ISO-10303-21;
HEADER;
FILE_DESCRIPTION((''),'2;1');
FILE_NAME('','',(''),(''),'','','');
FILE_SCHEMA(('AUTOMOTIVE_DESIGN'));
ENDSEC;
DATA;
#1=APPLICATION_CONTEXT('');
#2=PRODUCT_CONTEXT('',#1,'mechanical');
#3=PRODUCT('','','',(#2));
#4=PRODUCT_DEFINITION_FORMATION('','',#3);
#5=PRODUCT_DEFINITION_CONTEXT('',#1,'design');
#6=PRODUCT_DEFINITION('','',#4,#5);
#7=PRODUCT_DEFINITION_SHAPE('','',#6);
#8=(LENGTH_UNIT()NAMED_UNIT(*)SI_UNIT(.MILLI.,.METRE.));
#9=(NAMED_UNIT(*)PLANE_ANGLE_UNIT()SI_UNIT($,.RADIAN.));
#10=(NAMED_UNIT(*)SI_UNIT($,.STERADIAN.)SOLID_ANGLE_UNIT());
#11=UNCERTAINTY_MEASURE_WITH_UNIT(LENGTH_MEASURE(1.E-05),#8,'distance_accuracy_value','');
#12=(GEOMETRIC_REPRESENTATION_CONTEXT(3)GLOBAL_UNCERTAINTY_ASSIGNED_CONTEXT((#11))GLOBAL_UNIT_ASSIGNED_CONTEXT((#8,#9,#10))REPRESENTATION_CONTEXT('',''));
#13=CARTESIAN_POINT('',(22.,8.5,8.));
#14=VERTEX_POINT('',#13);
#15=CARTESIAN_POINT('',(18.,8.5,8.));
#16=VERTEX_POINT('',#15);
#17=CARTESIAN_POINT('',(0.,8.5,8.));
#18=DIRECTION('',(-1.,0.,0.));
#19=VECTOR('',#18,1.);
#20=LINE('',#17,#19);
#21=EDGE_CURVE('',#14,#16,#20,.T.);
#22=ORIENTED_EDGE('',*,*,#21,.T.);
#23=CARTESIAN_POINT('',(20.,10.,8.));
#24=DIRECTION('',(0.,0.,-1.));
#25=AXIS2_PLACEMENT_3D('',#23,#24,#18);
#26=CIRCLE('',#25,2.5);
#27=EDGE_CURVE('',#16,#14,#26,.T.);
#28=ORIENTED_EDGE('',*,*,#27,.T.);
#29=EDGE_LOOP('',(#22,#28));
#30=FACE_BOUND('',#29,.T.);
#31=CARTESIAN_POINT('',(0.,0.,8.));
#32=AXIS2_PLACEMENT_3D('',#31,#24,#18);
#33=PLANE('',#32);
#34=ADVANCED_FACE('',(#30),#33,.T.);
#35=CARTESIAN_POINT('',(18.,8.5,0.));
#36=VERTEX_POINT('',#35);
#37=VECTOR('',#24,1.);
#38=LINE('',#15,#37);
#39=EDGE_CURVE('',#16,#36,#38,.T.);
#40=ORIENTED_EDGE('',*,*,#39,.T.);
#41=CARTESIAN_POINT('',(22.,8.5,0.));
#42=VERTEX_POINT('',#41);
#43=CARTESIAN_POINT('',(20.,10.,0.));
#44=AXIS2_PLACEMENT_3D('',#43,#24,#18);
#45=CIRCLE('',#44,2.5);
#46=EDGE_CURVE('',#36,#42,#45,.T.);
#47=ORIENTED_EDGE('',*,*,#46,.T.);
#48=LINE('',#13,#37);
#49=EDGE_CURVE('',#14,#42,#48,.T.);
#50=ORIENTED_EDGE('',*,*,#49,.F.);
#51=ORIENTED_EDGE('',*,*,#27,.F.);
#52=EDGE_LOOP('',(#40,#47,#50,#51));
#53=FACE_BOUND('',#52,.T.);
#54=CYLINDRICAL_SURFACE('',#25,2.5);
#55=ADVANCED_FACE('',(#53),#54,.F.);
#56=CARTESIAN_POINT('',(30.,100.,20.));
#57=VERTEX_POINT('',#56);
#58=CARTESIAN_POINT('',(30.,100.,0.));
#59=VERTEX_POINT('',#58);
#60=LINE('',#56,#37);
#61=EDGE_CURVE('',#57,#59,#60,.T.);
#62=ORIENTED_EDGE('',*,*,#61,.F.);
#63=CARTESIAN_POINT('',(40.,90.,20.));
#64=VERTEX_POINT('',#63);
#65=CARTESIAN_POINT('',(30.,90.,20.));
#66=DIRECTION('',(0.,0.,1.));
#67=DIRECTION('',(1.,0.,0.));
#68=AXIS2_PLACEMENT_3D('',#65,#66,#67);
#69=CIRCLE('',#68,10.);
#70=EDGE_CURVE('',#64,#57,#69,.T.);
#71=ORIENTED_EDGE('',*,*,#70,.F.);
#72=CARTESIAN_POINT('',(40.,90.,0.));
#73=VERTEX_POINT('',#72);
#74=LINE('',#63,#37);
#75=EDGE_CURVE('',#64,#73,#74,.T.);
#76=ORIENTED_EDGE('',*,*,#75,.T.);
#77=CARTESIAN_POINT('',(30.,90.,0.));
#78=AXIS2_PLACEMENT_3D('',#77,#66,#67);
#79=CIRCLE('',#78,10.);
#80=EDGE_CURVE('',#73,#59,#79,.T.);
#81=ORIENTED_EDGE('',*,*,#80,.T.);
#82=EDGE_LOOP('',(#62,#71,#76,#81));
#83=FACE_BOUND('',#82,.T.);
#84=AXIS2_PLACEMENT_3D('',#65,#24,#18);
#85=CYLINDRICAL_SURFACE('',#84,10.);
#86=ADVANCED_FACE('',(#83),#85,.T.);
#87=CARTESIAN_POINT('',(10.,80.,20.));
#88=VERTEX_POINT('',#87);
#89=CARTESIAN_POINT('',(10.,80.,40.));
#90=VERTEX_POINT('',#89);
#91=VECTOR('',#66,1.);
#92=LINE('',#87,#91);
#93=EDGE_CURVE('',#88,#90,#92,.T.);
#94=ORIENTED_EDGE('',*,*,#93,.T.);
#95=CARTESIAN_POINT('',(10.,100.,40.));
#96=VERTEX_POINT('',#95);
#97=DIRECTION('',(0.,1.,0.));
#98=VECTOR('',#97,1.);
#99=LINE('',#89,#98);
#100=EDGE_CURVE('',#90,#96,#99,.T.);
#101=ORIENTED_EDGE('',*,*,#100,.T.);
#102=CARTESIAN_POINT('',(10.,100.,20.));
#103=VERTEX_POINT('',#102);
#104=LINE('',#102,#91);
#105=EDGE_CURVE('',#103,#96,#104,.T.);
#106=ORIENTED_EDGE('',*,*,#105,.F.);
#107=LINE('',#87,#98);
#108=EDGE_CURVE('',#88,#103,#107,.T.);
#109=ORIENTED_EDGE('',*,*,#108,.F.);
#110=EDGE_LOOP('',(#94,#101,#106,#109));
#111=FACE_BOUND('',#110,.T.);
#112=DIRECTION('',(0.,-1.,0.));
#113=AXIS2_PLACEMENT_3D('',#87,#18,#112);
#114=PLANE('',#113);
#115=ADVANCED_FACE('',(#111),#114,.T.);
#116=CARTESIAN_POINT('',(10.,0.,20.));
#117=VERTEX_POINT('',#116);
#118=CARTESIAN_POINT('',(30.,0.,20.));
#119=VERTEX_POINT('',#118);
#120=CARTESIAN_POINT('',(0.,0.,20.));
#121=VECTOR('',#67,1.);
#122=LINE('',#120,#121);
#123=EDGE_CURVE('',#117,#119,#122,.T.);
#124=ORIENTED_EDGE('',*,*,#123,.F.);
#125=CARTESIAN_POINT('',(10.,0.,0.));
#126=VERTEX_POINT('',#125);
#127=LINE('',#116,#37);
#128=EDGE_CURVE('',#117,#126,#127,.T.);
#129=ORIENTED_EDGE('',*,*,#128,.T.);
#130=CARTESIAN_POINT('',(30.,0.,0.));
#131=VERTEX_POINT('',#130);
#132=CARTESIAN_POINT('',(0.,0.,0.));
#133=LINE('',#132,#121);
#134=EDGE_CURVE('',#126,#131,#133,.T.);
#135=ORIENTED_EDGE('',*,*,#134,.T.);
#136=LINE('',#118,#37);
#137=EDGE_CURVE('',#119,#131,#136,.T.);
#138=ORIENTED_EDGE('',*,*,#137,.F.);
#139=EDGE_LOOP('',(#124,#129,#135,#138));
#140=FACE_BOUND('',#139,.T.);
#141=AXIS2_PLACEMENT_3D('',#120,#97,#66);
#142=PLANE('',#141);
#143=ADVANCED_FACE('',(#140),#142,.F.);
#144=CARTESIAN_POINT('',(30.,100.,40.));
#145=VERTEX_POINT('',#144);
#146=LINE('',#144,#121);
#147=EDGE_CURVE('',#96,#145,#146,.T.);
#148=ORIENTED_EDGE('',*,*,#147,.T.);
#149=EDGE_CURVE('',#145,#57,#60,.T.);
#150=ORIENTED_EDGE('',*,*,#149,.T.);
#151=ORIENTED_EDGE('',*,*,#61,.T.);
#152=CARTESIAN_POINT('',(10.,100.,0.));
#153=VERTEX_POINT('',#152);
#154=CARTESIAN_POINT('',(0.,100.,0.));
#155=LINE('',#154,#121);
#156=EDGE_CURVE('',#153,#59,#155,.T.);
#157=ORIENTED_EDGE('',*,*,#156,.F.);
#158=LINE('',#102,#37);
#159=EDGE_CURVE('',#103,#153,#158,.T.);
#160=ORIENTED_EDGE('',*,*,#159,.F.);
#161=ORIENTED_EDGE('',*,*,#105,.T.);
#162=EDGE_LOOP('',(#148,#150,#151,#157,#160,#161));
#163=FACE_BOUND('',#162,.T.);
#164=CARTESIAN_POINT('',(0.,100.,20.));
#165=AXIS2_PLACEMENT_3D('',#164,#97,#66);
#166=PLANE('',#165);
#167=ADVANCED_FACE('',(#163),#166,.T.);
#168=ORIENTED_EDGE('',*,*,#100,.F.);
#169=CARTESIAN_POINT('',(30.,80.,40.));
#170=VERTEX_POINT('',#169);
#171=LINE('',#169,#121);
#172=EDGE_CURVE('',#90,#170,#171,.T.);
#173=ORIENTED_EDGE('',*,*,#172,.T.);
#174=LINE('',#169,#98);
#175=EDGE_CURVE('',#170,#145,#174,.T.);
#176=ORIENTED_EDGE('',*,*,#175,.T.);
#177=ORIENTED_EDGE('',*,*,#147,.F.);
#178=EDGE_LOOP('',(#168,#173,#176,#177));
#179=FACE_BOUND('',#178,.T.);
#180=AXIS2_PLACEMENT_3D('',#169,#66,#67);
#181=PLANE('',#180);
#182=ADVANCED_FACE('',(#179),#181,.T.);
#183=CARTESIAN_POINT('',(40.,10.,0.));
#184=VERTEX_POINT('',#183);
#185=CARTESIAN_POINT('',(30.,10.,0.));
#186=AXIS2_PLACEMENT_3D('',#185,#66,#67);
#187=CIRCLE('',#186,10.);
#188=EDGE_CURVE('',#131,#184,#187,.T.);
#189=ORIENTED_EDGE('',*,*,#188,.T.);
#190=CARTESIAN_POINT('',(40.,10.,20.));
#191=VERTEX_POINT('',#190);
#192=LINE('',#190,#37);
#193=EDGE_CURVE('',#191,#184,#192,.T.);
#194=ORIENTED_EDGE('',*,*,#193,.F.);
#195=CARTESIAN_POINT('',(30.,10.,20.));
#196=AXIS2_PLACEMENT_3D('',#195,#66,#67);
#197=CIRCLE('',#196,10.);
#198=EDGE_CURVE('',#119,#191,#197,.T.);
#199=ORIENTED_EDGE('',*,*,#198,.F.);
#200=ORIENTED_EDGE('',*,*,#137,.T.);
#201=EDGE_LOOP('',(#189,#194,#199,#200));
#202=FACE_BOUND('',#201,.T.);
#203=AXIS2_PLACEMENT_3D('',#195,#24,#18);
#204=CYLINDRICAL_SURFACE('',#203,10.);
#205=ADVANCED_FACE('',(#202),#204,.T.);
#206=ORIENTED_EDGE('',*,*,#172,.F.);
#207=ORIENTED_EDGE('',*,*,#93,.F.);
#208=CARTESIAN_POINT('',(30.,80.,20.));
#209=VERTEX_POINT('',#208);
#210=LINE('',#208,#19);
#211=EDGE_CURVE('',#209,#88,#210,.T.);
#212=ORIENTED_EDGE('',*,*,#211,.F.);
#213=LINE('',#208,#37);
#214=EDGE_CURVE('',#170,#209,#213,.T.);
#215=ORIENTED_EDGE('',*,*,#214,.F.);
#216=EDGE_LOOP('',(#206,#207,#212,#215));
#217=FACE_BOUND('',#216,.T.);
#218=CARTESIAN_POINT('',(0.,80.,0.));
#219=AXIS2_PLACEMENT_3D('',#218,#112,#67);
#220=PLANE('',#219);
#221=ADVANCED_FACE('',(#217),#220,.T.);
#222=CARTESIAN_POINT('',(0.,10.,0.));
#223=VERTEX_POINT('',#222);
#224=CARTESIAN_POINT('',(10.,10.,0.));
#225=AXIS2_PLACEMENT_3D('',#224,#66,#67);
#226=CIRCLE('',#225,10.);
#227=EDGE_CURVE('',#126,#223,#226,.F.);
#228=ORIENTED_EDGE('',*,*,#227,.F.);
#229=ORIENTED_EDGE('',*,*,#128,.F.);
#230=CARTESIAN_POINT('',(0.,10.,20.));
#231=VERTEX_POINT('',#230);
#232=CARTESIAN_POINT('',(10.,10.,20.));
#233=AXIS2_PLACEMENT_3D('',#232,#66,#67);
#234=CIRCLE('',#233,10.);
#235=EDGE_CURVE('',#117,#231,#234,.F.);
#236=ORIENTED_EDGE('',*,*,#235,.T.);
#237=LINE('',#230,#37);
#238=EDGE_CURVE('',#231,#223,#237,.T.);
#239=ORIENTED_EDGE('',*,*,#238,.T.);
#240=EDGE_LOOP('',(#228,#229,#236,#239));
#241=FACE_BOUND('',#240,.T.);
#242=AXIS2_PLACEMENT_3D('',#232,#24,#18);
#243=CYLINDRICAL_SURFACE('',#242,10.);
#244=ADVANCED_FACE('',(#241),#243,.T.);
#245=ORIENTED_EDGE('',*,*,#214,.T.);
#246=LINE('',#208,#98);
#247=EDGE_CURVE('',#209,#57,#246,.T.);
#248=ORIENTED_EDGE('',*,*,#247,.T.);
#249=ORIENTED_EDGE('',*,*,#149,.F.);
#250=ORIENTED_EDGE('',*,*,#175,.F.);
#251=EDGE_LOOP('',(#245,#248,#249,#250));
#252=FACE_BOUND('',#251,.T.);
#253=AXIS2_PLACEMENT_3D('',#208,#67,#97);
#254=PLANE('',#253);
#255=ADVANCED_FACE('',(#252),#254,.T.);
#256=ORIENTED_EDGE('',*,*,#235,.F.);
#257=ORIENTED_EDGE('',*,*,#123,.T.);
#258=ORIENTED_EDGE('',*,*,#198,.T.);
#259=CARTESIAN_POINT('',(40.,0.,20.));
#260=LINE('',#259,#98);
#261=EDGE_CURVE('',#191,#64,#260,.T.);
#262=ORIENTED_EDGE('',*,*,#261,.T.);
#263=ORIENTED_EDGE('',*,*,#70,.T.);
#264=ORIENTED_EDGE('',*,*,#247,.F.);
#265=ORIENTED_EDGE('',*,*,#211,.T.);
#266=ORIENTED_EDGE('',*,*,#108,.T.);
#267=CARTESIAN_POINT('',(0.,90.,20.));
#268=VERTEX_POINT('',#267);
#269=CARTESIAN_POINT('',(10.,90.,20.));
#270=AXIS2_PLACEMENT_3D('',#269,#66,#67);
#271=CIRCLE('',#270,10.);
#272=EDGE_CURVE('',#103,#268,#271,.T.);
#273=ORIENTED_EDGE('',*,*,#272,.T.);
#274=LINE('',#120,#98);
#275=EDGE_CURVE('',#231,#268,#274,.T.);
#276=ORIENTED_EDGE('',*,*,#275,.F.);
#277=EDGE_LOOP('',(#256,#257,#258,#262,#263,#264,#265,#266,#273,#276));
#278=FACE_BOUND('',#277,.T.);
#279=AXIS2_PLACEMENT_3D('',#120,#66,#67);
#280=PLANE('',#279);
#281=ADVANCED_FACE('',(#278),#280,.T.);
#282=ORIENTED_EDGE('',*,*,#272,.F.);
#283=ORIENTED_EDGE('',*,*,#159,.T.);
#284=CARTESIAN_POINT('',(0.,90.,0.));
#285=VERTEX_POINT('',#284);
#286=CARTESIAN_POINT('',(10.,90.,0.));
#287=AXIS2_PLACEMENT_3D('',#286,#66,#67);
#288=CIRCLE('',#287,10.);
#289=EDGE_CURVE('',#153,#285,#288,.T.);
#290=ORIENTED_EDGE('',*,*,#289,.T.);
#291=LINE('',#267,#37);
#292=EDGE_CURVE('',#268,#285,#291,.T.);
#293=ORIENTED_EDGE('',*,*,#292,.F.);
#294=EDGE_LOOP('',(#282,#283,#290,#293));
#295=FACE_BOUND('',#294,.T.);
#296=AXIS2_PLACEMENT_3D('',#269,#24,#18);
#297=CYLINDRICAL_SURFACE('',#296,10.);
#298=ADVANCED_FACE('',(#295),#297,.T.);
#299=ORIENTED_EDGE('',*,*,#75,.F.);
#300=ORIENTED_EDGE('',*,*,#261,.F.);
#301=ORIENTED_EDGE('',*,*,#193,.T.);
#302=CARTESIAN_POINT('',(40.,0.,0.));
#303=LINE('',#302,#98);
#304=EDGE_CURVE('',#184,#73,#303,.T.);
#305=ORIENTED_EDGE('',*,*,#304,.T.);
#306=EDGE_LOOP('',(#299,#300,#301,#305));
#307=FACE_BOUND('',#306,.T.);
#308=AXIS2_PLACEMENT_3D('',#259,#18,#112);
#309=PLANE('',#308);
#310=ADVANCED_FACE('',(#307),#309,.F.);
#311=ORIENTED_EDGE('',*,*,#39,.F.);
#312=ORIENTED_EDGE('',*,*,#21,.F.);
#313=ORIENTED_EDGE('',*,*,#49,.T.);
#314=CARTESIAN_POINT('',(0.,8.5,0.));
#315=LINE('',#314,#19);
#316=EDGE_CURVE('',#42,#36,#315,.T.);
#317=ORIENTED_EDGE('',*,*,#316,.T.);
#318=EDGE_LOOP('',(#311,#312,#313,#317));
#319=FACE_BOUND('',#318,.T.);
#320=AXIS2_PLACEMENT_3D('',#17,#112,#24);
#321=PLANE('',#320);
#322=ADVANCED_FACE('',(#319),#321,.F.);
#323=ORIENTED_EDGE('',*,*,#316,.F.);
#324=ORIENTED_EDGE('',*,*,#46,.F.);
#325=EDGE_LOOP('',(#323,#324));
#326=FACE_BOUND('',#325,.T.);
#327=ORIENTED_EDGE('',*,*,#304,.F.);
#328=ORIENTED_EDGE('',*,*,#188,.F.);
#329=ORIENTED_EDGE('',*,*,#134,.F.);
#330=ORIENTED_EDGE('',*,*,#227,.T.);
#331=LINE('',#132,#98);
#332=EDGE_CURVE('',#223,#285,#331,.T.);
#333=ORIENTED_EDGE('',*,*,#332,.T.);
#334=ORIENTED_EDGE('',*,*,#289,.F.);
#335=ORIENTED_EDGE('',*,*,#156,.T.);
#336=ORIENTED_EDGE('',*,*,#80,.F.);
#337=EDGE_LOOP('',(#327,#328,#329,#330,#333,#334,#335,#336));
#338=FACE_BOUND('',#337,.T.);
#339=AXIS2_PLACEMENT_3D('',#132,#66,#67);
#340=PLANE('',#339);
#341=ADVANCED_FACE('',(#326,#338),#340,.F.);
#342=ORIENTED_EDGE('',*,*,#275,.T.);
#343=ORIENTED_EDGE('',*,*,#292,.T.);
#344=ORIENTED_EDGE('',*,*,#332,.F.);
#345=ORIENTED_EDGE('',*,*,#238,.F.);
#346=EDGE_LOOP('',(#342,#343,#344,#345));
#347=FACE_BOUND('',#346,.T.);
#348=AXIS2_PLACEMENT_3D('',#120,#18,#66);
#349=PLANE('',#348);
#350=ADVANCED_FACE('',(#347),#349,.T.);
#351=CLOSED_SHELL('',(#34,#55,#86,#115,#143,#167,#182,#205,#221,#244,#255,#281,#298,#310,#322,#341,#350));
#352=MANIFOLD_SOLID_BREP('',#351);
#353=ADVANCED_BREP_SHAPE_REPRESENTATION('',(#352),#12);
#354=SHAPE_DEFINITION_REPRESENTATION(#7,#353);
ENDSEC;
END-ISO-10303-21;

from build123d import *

# Parameters (mm, degrees)
SALIENTE_EXTRUIR1_DEPTH = 20
CORTAR_EXTRUIR1_DEPTH   = 8
CROQUIS3_W              = 20
CROQUIS3_H              = 20
SALIENTE_EXTRUIR2_DEPTH = 20


with BuildPart() as part:
    # Croquis1 → Saliente-Extruir1 (new body)
    with BuildSketch(Plane.XY):
        with BuildLine():
            Line((0, 90), (0, 10))
            Line((0, 10), (17.5, 10))
            ThreePointArc((17.5, 10), (20, 12.5), (22.5, 10))
            Line((22.5, 10), (40, 10))
            Line((40, 10), (40, 90))
            ThreePointArc((40, 90), (37.071067812, 97.071067812), (30, 100))
            Line((30, 100), (10, 100))
            ThreePointArc((10, 100), (2.928932188, 97.071067812), (0, 90))
        make_face()
        with BuildLine():
            Line((17.5, 10), (0, 10))
            ThreePointArc((0, 10), (2.928932188, 2.928932188), (10, 0))
            Line((10, 0), (30, 0))
            ThreePointArc((30, 0), (37.071067812, 2.928932188), (40, 10))
            Line((40, 10), (22.5, 10))
            ThreePointArc((22.5, 10), (22.371708245, 9.209430585), (22, 8.5))
            ThreePointArc((22, 8.5), (20, 7.5), (18, 8.5))
            ThreePointArc((18, 8.5), (17.628291755, 9.209430585), (17.5, 10))
        make_face()
        with BuildLine():
            ThreePointArc((22.5, 10), (20, 12.5), (17.5, 10))
            ThreePointArc((17.5, 10), (17.628291755, 9.209430585), (18, 8.5))
            Line((18, 8.5), (22, 8.5))
            ThreePointArc((22, 8.5), (22.371708245, 9.209430585), (22.5, 10))
        make_face()
        with BuildLine():
            Line((22, 8.5), (18, 8.5))
            ThreePointArc((18, 8.5), (20, 7.5), (22, 8.5))
        make_face()
    extrude(amount=SALIENTE_EXTRUIR1_DEPTH)

    # Croquis2 → Cortar-Extruir1 (cut)
    with BuildSketch(Plane(origin=(0, 0, 0), x_dir=(-1, 0, 0), z_dir=(0, 0, -1))):
        with BuildLine():
            Line((-22, 8.5), (-20, 8.5))
            Line((-20, 8.5), (-18, 8.5))
            ThreePointArc((-18, 8.5), (-17.628291755, 9.209430585), (-17.5, 10))
            ThreePointArc((-17.5, 10), (-20.790569415, 12.371708245), (-22, 8.5))
        make_face()
    extrude(amount=-CORTAR_EXTRUIR1_DEPTH, mode=Mode.SUBTRACT)

    # Croquis3 → Saliente-Extruir2 (add)
    with BuildSketch(Plane(origin=(0, 100, 0), x_dir=(1, 0, 0), z_dir=(0, 1, 0))):
        with Locations((20, -30)):
            Rectangle(CROQUIS3_W, CROQUIS3_H)
    extrude(amount=-SALIENTE_EXTRUIR2_DEPTH)


solid = part.part
